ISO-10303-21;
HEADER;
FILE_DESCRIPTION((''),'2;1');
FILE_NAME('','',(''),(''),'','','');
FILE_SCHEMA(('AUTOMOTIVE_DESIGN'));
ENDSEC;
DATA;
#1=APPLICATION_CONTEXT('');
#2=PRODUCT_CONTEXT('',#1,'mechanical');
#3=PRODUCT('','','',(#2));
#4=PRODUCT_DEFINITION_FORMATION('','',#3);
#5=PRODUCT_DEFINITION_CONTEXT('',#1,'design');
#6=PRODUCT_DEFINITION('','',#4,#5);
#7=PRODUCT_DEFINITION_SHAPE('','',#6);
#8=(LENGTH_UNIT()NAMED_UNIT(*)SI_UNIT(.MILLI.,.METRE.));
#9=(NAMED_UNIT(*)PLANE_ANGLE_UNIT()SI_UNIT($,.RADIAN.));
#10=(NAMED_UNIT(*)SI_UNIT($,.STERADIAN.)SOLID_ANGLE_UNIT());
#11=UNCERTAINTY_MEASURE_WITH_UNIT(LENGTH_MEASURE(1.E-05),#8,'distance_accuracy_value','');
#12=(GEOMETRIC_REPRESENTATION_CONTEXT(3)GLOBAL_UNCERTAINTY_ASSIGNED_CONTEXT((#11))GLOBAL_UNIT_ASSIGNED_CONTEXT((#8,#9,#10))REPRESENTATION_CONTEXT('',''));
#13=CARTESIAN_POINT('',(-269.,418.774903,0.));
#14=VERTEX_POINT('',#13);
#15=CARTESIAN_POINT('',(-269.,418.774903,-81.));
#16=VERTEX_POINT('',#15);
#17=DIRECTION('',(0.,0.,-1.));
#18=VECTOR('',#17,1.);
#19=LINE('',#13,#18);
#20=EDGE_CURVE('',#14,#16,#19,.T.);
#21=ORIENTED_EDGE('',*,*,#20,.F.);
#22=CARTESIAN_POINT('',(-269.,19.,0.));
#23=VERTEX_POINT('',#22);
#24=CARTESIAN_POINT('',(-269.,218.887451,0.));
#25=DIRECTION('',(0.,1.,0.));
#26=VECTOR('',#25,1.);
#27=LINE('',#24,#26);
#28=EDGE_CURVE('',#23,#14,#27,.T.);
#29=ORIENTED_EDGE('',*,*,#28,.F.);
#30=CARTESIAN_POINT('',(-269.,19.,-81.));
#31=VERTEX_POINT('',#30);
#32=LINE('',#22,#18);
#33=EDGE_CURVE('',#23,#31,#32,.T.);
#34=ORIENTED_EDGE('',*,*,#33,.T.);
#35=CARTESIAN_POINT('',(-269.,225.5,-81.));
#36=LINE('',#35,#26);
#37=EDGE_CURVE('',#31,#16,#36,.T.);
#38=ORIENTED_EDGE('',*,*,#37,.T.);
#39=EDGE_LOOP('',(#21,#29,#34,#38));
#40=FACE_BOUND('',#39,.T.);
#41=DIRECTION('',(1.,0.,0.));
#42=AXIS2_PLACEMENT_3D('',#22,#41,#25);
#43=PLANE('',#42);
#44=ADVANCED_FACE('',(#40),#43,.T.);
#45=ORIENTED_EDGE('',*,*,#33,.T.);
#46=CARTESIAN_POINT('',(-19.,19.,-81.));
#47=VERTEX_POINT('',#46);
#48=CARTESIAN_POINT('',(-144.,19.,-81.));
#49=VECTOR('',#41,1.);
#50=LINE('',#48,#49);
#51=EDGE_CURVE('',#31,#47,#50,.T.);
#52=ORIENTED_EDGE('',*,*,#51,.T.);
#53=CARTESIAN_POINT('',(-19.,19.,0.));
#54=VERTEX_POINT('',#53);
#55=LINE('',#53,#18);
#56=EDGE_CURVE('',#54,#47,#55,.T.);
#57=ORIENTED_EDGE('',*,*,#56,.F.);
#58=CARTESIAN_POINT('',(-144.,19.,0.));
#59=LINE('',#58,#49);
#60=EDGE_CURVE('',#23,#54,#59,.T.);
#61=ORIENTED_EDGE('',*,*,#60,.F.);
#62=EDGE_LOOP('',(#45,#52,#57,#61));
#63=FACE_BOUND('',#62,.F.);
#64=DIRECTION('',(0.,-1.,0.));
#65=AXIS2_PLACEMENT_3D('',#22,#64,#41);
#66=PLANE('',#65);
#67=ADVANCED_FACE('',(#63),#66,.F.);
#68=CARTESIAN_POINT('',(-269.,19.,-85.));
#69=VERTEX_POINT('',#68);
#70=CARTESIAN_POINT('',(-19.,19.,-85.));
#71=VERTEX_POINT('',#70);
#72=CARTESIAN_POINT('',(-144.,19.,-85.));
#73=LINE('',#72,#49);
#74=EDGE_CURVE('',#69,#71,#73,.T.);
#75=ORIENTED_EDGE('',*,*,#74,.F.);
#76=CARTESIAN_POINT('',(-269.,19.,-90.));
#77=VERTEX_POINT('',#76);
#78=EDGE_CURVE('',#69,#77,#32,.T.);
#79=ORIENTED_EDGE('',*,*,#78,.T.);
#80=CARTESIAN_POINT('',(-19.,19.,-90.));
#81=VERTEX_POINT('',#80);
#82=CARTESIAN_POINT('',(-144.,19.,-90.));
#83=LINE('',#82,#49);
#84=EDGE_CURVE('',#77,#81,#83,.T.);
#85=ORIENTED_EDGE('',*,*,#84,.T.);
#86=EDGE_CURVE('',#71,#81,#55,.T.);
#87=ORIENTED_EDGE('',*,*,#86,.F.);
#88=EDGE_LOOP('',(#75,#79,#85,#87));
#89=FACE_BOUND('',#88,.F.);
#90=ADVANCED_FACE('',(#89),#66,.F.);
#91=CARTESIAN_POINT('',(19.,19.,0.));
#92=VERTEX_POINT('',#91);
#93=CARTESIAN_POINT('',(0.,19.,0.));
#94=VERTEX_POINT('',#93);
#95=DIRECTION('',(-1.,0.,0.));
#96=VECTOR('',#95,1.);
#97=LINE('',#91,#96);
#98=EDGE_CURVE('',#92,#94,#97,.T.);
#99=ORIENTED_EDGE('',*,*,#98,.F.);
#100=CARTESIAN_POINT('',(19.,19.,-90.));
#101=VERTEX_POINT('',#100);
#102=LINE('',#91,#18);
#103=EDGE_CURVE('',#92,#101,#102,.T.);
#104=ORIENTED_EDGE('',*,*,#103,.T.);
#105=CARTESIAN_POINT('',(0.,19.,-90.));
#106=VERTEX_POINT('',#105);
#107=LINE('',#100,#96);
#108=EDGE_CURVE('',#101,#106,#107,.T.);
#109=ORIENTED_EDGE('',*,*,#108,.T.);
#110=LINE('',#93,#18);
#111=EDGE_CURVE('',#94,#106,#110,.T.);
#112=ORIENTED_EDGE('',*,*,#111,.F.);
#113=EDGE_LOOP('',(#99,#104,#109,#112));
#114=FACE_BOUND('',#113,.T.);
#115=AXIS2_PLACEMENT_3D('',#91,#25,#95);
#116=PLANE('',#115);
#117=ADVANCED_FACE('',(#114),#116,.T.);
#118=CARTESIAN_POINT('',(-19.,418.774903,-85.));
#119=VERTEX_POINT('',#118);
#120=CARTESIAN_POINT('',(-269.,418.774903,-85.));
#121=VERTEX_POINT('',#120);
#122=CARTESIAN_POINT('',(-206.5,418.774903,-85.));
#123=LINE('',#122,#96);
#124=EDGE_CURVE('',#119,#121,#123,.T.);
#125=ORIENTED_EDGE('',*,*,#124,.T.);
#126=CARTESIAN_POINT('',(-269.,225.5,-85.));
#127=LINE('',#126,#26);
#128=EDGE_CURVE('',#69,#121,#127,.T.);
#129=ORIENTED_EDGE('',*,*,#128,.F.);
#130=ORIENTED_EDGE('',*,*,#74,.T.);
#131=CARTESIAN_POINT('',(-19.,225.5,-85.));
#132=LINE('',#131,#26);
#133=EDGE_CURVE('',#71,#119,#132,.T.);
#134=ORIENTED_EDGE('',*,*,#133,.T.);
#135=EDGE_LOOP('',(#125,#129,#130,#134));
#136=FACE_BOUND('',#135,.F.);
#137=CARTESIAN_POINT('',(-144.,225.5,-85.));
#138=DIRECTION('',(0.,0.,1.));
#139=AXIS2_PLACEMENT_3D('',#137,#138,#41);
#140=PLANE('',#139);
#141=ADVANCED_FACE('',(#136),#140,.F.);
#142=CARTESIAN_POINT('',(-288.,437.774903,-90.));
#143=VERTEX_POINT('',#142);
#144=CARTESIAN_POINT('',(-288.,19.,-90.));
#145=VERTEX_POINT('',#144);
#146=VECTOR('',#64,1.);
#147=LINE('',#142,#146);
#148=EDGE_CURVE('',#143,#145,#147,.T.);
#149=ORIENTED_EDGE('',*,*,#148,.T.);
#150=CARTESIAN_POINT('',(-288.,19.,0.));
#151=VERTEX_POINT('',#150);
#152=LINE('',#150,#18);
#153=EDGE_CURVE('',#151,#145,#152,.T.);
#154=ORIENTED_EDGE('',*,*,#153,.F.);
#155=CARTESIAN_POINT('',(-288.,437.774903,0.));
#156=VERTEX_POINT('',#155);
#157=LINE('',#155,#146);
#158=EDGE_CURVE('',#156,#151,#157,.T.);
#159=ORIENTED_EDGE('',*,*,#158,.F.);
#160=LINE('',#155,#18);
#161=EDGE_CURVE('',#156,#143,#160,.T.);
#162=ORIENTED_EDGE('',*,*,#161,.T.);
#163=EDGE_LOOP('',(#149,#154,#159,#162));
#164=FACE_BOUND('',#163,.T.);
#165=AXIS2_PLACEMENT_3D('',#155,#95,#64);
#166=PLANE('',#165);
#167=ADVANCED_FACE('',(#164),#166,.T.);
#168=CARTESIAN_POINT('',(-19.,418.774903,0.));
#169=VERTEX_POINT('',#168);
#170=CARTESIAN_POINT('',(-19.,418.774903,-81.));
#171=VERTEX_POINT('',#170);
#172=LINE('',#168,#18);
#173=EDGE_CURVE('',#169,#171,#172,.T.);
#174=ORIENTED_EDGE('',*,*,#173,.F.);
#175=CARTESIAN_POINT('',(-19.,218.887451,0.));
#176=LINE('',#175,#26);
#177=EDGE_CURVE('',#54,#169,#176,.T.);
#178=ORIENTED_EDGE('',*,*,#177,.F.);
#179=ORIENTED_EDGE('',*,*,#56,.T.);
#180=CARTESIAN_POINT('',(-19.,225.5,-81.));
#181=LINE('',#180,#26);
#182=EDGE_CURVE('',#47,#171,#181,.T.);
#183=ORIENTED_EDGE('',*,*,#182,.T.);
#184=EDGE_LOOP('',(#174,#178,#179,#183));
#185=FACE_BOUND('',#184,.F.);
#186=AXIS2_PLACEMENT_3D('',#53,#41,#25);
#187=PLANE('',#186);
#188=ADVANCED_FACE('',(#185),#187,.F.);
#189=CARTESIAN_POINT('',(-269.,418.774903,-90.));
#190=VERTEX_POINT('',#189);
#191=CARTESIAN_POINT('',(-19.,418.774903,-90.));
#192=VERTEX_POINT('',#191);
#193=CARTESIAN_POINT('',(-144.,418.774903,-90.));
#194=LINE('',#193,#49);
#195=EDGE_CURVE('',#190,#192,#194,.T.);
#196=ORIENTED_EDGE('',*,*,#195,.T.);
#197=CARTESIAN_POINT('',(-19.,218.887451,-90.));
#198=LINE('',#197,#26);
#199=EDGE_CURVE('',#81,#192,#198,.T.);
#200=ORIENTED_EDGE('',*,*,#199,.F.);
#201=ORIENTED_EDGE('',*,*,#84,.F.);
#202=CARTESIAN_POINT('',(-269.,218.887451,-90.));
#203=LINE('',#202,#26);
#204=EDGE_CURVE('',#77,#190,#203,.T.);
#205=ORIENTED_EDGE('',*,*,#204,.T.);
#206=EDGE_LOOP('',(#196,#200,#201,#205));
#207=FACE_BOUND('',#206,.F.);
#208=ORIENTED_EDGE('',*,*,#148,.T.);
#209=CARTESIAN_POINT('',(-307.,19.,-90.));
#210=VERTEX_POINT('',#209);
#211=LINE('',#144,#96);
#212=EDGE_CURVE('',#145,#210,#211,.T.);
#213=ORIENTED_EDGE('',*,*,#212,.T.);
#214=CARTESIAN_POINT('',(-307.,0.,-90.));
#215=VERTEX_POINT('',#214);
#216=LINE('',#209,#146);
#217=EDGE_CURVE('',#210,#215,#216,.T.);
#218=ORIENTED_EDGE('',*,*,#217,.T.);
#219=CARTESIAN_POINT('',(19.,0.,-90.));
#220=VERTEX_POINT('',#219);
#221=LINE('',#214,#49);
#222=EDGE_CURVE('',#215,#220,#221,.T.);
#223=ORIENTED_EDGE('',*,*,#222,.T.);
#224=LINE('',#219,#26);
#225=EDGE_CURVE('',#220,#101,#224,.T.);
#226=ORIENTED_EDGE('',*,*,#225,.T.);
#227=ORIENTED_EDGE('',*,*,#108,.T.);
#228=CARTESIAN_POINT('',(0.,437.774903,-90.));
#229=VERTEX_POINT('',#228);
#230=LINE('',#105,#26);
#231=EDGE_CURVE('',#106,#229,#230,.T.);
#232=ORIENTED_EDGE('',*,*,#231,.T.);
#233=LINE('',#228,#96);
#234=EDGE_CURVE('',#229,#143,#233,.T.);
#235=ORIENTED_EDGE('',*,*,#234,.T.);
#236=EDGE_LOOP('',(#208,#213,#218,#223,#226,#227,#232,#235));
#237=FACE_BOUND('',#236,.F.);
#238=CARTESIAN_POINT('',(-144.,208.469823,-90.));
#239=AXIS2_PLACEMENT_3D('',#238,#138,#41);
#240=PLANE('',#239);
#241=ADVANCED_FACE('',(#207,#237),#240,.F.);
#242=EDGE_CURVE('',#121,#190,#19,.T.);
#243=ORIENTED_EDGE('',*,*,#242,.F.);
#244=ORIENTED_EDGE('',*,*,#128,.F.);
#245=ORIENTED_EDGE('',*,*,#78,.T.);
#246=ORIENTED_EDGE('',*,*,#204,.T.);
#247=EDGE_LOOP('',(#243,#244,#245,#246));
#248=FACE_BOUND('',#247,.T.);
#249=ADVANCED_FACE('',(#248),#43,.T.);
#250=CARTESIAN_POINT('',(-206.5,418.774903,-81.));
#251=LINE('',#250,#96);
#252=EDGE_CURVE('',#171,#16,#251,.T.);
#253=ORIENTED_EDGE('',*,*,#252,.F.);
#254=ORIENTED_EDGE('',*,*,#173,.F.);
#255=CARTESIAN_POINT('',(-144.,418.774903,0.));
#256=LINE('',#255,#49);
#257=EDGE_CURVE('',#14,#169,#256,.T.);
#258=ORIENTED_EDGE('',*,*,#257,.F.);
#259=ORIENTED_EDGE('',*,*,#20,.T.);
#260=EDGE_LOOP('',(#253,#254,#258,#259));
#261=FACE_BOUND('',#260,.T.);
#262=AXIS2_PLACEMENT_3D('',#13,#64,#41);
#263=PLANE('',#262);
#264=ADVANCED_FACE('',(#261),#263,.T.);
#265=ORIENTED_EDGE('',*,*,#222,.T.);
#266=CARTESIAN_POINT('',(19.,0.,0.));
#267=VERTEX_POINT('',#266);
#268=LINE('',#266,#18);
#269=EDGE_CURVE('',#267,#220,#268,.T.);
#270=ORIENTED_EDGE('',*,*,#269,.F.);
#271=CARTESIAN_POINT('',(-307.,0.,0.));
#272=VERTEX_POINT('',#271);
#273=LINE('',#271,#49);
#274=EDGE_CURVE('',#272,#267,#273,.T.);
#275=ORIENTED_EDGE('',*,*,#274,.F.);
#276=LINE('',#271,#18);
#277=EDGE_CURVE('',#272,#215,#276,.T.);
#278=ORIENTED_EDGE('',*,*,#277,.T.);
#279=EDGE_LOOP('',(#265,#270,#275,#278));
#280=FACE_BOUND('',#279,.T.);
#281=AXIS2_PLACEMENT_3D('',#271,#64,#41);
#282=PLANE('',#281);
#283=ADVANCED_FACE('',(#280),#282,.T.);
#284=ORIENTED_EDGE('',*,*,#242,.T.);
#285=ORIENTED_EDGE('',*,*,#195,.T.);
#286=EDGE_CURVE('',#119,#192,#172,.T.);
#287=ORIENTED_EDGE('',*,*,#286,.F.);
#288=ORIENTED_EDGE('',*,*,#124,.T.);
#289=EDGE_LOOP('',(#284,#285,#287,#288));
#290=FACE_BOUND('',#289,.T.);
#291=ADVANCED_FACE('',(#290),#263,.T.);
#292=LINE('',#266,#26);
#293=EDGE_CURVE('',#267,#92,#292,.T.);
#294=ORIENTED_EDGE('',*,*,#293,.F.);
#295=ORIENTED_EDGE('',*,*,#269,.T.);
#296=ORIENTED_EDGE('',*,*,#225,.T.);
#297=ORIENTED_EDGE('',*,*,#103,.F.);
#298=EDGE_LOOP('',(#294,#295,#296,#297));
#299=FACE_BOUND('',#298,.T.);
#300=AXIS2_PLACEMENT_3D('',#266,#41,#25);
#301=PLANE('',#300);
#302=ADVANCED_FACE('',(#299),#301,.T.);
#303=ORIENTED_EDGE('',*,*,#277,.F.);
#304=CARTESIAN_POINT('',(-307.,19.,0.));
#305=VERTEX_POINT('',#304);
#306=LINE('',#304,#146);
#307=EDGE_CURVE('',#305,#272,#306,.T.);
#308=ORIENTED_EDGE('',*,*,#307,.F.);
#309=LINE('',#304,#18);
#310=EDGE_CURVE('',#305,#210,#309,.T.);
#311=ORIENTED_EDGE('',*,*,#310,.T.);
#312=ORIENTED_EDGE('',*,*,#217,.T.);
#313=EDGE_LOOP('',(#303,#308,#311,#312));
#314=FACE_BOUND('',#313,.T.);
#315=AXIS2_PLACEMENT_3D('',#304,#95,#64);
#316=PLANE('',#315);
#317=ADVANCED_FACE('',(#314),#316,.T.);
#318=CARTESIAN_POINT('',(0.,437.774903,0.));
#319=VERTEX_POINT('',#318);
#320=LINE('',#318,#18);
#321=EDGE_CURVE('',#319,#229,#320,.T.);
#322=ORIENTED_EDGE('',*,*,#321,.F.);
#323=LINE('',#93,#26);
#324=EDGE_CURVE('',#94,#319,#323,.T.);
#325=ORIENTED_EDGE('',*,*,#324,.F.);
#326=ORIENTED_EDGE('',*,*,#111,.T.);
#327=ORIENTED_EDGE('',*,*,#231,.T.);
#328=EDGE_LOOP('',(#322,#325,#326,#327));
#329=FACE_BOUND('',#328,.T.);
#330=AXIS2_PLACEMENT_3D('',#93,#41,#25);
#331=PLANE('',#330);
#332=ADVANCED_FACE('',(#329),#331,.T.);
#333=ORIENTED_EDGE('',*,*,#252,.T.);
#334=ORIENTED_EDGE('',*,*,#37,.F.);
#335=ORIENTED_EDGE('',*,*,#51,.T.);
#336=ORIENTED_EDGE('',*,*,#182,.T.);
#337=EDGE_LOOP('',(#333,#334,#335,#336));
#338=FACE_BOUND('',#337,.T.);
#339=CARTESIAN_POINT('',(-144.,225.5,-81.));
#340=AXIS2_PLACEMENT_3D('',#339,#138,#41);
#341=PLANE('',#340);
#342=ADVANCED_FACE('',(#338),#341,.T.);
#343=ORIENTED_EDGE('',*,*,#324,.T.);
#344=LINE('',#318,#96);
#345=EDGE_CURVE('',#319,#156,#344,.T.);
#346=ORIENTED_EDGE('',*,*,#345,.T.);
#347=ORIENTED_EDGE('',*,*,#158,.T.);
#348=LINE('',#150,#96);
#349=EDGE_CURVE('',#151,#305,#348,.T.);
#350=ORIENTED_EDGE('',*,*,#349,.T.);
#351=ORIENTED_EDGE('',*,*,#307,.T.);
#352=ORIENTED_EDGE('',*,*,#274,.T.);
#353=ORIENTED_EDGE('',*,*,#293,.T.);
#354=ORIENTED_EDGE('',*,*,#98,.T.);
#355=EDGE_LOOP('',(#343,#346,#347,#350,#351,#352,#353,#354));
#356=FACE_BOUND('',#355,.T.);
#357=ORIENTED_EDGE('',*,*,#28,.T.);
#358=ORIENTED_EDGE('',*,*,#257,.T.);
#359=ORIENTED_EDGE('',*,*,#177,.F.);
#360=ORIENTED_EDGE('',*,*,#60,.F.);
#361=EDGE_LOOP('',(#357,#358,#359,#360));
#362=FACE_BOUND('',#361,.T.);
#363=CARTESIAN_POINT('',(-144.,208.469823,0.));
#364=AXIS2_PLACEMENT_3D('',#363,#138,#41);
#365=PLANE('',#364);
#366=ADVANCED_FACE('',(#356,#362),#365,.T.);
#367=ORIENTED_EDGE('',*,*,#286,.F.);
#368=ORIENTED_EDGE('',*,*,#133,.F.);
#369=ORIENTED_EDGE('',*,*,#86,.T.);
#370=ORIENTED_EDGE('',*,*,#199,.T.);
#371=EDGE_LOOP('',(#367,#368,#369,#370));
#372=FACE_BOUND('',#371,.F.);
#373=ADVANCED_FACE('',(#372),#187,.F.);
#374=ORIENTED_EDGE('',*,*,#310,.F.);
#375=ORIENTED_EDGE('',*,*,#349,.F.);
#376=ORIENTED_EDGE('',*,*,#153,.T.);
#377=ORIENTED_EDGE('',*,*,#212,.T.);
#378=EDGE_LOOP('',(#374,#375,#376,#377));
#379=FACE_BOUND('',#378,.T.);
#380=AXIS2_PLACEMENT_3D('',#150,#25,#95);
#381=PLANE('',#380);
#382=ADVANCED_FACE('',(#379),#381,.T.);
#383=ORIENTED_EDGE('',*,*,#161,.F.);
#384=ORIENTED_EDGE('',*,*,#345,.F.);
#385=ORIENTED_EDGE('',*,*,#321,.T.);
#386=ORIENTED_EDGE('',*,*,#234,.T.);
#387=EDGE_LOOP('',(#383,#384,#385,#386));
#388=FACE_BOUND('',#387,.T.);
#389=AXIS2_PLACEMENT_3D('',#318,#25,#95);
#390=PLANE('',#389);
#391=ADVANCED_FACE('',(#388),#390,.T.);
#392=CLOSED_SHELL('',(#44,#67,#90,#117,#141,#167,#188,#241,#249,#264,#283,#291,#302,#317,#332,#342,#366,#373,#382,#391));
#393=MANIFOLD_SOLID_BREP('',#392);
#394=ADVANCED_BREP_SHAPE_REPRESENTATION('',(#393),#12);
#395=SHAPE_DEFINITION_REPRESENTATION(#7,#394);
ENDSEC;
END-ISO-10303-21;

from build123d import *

# Parameters (mm, degrees)
F0_W     = 250
F0_H     = 399.7749028206
F1_DEPTH = 90
F3_W     = 250
F3_H     = 413
F4_DEPTH = 4


with BuildPart() as f1:
    # F0 (on Top) → F1 (new body)
    with BuildSketch(Plane.XY):
        Polygon((-288, 0), (0, 0), (19, 0), (19, 15.7749028206), (19, 19), (0, 19), (0, 418.7749028206), (0, 437.7749028206), (-288, 437.7749028206), (-288, 19), (-307, 19), (-307, 0), align=None)
        with Locations((-144, 218.8874514103)):
            Rectangle(F0_W, F0_H, mode=Mode.SUBTRACT)
    extrude(amount=-F1_DEPTH)

    # F3 (on offset) → F4 (join)
    with BuildSketch(Plane.XY.offset(-85)):
        with Locations((-144, 225.5)):
            Rectangle(F3_W, F3_H)
    extrude(amount=F4_DEPTH)


solid = f1.part
